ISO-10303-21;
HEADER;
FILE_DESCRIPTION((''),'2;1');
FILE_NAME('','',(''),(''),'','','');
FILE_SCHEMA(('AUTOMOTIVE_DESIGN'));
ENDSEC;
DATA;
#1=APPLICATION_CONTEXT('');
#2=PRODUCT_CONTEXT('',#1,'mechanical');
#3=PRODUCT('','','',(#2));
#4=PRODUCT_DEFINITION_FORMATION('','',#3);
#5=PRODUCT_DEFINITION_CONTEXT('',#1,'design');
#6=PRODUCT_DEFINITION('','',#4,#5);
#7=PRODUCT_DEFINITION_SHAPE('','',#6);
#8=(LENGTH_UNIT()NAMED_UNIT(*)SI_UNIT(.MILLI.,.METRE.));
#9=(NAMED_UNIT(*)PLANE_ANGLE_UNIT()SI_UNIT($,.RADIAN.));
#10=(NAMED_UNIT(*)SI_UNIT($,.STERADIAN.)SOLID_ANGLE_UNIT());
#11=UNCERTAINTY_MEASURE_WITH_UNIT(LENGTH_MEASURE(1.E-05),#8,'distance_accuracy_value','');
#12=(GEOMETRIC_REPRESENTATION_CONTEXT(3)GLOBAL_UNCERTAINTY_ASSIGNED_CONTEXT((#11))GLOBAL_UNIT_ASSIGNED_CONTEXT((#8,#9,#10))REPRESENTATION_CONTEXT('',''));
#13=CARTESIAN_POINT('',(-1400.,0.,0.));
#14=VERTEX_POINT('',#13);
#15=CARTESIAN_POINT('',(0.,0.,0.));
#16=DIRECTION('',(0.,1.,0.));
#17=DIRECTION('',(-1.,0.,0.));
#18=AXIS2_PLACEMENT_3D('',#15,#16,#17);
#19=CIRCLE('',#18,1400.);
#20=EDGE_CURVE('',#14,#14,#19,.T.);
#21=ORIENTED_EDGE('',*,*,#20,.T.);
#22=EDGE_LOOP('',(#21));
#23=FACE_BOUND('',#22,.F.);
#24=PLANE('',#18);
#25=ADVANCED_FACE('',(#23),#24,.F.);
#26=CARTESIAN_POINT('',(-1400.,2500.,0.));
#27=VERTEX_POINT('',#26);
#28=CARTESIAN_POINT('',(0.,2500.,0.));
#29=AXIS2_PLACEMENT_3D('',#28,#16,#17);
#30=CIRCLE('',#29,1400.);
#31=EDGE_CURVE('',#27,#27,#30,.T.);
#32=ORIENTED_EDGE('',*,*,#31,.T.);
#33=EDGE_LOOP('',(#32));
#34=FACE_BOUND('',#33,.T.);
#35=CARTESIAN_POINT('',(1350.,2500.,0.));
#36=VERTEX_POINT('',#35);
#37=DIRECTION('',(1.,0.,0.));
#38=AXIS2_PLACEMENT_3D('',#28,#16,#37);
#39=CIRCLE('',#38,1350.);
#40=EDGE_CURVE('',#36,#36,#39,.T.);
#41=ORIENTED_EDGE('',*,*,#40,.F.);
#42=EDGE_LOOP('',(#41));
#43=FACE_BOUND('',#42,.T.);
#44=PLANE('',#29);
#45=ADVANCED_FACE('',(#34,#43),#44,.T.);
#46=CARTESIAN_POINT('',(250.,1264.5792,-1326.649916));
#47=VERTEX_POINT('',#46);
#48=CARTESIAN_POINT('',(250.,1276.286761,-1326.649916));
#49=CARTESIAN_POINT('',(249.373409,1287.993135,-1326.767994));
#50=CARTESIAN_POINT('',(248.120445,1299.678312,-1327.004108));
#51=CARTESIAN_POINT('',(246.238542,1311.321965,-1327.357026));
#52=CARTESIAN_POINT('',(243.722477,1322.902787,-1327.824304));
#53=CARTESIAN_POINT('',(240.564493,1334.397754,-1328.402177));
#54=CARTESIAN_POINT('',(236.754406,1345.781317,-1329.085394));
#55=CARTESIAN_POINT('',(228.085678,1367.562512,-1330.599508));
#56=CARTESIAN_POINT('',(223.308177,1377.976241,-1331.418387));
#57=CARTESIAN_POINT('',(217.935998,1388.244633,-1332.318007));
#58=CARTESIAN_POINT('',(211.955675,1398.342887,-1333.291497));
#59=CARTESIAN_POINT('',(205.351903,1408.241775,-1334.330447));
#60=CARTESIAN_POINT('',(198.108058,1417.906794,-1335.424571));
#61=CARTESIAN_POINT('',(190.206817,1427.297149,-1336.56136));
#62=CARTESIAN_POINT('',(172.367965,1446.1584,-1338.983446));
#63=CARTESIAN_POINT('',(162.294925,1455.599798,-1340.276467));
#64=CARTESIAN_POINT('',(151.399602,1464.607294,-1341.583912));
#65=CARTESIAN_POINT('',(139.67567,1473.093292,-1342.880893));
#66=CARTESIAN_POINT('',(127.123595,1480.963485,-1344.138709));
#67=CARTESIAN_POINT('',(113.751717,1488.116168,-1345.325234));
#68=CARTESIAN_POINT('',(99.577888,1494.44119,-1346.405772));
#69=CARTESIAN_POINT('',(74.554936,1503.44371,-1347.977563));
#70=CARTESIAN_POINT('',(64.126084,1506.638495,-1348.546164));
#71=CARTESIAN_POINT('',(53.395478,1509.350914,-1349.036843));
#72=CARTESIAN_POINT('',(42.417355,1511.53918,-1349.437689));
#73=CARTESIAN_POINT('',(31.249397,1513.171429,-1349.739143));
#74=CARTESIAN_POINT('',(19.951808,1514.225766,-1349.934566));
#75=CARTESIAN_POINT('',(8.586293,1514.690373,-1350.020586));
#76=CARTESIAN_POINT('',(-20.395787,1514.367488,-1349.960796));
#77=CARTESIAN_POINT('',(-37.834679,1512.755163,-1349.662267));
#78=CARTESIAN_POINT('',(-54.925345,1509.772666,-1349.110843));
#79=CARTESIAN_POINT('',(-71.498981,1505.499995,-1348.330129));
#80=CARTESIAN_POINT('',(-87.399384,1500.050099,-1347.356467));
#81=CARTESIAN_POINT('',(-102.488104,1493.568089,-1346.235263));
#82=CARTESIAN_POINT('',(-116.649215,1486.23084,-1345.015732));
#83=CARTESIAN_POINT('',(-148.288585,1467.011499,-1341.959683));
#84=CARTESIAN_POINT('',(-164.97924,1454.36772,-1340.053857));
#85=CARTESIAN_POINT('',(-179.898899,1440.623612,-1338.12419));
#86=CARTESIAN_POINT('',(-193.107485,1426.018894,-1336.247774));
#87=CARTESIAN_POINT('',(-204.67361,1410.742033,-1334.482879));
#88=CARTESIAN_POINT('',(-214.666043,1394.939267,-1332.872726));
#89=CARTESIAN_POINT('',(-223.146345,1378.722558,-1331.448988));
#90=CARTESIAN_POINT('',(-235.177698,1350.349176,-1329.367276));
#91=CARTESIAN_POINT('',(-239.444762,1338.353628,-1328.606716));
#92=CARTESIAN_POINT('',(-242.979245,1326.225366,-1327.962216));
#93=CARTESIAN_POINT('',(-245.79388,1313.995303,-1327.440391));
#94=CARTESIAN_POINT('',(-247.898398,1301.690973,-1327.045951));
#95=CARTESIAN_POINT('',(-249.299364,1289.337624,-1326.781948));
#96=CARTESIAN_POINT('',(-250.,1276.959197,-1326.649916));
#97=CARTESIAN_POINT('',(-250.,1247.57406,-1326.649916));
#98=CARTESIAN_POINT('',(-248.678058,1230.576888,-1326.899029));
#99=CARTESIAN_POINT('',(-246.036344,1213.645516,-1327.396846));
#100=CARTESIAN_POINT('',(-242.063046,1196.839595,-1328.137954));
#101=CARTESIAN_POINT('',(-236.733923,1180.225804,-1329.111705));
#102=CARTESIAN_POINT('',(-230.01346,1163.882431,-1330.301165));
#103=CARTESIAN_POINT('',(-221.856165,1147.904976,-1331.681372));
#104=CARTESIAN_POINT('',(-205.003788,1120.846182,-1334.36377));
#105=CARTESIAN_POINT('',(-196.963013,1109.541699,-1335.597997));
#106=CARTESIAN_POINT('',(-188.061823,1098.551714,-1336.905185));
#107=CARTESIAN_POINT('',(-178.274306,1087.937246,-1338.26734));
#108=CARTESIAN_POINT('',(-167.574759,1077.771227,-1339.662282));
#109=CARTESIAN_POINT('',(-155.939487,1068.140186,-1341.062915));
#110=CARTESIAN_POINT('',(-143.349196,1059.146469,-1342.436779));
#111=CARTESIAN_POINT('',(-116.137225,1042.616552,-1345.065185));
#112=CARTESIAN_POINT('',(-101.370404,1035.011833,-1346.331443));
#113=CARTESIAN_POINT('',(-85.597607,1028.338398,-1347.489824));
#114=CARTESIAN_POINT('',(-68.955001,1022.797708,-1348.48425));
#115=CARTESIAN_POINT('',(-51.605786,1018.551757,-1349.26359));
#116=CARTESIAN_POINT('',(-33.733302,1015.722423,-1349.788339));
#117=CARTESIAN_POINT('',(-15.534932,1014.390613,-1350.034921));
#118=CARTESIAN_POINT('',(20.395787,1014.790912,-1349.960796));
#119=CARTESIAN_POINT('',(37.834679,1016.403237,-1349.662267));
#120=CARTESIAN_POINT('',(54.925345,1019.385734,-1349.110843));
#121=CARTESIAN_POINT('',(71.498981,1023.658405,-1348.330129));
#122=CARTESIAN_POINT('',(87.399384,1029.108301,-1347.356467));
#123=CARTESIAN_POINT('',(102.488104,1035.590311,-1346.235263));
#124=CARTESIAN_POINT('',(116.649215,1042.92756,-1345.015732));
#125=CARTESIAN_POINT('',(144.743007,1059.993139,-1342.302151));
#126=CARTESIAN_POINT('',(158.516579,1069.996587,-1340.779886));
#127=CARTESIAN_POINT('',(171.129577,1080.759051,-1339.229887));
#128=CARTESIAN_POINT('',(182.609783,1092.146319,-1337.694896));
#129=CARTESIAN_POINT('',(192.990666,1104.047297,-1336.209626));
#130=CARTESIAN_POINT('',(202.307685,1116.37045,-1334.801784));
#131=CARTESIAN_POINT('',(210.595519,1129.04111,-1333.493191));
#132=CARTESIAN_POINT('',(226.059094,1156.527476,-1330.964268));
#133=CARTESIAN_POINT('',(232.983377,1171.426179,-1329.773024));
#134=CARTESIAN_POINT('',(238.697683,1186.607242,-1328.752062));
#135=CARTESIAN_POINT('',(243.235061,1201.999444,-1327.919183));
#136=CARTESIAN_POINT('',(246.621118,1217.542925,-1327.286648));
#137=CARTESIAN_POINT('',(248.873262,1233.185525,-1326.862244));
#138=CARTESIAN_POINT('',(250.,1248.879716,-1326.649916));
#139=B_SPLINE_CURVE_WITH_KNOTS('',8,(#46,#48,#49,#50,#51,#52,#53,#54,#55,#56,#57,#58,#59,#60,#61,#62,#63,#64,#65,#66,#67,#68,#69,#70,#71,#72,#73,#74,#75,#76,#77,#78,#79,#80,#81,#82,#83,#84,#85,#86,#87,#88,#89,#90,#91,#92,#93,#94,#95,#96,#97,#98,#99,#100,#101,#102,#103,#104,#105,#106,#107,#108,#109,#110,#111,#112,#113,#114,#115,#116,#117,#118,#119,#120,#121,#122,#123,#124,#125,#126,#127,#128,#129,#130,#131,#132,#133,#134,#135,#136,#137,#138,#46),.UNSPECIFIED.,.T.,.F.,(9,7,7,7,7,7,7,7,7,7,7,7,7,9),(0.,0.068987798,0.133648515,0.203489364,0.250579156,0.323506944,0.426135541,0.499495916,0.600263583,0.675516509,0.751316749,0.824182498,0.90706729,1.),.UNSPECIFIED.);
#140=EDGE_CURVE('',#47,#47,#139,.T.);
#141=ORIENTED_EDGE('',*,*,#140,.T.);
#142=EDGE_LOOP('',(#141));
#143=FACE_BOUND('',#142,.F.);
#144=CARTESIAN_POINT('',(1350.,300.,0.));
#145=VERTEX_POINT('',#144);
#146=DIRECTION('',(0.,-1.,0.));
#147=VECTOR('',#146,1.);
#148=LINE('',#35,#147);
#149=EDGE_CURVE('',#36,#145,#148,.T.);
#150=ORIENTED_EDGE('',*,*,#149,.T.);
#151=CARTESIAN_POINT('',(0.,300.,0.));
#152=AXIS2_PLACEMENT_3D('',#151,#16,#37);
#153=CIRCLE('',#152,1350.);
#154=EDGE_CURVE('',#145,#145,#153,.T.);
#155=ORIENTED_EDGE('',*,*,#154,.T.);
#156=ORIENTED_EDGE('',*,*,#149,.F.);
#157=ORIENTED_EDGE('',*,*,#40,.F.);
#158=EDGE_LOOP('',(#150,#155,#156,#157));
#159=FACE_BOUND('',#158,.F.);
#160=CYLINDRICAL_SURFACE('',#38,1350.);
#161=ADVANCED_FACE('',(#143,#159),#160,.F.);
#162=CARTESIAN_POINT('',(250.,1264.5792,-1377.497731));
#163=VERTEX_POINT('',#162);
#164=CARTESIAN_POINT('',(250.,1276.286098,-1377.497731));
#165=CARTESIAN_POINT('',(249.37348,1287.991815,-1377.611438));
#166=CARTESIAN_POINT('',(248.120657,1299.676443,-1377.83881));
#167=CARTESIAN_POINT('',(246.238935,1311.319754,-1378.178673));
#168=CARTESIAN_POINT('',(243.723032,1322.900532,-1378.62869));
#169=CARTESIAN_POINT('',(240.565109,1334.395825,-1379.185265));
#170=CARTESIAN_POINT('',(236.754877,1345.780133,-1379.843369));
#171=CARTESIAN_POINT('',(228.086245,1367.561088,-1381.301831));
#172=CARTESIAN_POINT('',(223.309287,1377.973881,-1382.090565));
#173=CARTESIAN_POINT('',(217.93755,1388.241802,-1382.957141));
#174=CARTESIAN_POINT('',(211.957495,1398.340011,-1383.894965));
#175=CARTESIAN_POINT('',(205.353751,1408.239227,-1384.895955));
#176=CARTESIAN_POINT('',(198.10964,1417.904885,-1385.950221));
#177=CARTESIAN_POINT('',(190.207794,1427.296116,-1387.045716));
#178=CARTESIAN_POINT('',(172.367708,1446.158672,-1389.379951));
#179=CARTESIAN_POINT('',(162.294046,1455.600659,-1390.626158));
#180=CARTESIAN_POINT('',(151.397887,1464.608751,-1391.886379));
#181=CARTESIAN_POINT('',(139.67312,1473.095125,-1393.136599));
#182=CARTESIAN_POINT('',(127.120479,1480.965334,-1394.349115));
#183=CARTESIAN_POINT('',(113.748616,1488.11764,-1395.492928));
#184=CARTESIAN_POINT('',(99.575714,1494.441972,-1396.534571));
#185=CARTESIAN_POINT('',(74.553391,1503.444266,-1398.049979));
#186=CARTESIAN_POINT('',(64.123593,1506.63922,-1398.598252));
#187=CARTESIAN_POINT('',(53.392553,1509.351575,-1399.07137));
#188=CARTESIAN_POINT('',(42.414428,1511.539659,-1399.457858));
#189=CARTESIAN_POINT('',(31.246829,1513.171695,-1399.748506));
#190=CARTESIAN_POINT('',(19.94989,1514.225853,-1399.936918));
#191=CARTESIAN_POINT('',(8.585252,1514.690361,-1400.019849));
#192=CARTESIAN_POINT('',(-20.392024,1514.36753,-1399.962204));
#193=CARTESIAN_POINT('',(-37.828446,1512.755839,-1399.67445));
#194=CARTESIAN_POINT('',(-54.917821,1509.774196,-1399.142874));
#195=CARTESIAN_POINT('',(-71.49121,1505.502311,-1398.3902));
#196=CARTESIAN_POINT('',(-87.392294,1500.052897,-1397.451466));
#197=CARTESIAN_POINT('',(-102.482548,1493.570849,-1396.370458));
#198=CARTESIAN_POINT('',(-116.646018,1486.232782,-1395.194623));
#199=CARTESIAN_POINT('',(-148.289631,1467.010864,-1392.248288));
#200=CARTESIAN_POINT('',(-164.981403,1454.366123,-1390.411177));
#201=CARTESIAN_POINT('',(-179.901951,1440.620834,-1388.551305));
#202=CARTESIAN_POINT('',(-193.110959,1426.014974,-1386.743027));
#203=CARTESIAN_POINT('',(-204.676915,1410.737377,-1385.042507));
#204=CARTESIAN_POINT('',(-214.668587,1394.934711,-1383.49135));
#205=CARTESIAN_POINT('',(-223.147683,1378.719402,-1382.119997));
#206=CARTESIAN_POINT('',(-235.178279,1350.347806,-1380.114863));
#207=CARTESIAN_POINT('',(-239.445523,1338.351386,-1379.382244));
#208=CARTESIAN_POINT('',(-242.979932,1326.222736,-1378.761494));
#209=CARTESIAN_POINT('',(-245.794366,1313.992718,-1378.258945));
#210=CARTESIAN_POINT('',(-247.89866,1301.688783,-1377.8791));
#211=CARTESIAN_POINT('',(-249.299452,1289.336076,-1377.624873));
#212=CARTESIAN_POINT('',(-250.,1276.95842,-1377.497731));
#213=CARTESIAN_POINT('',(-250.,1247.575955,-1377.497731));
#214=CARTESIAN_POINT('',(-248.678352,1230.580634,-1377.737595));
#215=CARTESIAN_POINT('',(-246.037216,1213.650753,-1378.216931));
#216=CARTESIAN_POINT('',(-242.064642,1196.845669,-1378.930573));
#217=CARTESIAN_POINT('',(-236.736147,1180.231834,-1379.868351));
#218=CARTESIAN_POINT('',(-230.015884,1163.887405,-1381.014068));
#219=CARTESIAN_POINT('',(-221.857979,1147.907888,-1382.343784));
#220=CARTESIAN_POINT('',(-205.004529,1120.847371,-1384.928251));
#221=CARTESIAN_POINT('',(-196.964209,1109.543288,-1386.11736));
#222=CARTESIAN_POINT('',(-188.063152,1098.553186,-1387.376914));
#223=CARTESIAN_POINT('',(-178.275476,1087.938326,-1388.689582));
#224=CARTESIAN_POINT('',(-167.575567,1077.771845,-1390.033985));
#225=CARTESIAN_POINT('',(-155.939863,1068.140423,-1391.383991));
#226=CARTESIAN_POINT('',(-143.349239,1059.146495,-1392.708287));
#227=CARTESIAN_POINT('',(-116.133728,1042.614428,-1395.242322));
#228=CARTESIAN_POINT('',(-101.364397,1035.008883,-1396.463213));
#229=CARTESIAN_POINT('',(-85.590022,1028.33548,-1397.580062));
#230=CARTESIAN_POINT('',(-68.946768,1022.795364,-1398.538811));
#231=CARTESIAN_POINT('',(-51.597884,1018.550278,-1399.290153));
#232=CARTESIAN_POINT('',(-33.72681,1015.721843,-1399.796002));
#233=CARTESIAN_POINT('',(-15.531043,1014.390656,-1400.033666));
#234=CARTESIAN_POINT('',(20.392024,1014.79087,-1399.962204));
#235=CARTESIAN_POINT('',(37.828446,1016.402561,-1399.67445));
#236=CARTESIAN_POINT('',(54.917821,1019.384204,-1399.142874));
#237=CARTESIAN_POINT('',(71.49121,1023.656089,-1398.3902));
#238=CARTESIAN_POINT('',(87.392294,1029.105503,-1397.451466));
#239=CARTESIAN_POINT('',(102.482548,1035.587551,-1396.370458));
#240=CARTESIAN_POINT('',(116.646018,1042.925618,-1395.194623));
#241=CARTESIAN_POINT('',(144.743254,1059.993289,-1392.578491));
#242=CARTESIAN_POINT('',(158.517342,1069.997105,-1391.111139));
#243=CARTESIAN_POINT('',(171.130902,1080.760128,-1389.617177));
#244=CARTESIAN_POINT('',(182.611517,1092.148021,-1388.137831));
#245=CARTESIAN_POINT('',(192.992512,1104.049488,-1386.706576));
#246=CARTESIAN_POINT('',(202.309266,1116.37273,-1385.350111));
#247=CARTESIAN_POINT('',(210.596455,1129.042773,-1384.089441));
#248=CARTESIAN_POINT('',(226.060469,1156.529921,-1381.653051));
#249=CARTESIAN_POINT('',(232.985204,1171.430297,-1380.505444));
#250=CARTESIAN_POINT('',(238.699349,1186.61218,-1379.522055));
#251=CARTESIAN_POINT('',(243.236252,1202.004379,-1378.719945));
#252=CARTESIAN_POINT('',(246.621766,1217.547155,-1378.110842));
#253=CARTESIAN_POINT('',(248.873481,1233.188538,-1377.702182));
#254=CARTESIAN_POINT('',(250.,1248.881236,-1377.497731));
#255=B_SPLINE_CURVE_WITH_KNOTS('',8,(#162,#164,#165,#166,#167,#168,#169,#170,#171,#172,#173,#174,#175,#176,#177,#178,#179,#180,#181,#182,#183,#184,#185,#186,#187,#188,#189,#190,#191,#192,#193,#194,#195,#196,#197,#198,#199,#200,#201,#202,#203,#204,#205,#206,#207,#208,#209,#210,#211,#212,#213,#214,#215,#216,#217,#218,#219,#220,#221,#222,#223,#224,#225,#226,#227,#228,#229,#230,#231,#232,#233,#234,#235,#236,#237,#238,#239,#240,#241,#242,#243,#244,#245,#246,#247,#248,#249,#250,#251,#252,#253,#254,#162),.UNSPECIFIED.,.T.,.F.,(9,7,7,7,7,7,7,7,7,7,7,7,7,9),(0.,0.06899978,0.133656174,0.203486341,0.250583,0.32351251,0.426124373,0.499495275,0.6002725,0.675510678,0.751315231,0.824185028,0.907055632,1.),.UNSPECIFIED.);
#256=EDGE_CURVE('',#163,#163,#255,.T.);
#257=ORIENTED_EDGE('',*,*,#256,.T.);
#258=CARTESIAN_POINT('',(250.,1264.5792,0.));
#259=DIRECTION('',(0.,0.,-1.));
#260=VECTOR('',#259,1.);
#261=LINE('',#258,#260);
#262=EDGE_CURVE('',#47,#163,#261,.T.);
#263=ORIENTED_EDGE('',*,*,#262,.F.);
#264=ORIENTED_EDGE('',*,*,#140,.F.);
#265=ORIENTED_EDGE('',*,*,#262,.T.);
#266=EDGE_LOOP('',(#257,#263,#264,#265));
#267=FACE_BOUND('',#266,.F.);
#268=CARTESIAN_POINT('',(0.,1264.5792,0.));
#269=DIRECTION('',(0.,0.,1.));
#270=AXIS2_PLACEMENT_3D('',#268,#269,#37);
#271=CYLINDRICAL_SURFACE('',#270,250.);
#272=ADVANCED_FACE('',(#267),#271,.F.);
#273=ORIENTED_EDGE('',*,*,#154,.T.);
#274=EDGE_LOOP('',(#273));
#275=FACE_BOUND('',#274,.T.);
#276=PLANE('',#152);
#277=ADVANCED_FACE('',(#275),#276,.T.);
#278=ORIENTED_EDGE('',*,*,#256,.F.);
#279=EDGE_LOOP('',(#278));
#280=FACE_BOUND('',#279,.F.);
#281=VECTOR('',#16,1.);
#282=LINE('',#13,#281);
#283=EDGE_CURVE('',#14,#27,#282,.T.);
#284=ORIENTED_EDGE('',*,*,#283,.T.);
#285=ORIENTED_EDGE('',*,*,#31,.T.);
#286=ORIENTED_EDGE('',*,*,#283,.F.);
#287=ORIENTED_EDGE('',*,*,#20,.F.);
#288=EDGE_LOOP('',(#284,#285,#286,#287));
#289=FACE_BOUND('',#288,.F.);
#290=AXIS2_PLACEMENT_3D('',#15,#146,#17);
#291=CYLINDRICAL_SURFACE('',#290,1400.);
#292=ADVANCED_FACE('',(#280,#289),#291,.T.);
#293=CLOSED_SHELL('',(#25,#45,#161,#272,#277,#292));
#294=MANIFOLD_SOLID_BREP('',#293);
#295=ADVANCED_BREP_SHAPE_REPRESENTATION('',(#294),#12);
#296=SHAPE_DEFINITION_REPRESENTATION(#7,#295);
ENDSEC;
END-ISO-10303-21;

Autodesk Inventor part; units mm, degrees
ref_plane "YZ Plane" through (0, 0, 0) normal (1, 0, 0) x (0, 1, 0)
ref_plane "XZ Plane" through (0, 0, 0) normal (0, 1, 0) x (-1, 0, 0)
ref_plane "XY Plane" through (0, 0, 0) normal (0, 0, 1) x (1, 0, 0)
sketch "Sketch1" plane through (0, 0, 0) normal (0, 1, 0) x (-1, 0, 0)
  circle A0 centre (0, 0) radius 1400
  dimension "d0" = 2800
extrude "Extrusion1" add sketch "Sketch1" along normal blind 2500
sketch "Sketch2" plane through (0, 0, 0) normal (0, 0, 1) x (1, 0, 0)
  circle A0 centre (0, 1264.5792) radius 250
  point P0 (0, 0)
  dimension "d3" = 500
extrude "Extrusion2" cut sketch "Sketch2" against normal blind 4000
sketch "Sketch3" plane through (0, 2500, 0) normal (0, 1, 0) x (1, 0, 0)
  circle A0 centre (0, 0) radius 1350
  dimension "d6" = 2700
extrude "Extrusion3" cut sketch "Sketch3" against normal blind 2200
properties material "Silver"
